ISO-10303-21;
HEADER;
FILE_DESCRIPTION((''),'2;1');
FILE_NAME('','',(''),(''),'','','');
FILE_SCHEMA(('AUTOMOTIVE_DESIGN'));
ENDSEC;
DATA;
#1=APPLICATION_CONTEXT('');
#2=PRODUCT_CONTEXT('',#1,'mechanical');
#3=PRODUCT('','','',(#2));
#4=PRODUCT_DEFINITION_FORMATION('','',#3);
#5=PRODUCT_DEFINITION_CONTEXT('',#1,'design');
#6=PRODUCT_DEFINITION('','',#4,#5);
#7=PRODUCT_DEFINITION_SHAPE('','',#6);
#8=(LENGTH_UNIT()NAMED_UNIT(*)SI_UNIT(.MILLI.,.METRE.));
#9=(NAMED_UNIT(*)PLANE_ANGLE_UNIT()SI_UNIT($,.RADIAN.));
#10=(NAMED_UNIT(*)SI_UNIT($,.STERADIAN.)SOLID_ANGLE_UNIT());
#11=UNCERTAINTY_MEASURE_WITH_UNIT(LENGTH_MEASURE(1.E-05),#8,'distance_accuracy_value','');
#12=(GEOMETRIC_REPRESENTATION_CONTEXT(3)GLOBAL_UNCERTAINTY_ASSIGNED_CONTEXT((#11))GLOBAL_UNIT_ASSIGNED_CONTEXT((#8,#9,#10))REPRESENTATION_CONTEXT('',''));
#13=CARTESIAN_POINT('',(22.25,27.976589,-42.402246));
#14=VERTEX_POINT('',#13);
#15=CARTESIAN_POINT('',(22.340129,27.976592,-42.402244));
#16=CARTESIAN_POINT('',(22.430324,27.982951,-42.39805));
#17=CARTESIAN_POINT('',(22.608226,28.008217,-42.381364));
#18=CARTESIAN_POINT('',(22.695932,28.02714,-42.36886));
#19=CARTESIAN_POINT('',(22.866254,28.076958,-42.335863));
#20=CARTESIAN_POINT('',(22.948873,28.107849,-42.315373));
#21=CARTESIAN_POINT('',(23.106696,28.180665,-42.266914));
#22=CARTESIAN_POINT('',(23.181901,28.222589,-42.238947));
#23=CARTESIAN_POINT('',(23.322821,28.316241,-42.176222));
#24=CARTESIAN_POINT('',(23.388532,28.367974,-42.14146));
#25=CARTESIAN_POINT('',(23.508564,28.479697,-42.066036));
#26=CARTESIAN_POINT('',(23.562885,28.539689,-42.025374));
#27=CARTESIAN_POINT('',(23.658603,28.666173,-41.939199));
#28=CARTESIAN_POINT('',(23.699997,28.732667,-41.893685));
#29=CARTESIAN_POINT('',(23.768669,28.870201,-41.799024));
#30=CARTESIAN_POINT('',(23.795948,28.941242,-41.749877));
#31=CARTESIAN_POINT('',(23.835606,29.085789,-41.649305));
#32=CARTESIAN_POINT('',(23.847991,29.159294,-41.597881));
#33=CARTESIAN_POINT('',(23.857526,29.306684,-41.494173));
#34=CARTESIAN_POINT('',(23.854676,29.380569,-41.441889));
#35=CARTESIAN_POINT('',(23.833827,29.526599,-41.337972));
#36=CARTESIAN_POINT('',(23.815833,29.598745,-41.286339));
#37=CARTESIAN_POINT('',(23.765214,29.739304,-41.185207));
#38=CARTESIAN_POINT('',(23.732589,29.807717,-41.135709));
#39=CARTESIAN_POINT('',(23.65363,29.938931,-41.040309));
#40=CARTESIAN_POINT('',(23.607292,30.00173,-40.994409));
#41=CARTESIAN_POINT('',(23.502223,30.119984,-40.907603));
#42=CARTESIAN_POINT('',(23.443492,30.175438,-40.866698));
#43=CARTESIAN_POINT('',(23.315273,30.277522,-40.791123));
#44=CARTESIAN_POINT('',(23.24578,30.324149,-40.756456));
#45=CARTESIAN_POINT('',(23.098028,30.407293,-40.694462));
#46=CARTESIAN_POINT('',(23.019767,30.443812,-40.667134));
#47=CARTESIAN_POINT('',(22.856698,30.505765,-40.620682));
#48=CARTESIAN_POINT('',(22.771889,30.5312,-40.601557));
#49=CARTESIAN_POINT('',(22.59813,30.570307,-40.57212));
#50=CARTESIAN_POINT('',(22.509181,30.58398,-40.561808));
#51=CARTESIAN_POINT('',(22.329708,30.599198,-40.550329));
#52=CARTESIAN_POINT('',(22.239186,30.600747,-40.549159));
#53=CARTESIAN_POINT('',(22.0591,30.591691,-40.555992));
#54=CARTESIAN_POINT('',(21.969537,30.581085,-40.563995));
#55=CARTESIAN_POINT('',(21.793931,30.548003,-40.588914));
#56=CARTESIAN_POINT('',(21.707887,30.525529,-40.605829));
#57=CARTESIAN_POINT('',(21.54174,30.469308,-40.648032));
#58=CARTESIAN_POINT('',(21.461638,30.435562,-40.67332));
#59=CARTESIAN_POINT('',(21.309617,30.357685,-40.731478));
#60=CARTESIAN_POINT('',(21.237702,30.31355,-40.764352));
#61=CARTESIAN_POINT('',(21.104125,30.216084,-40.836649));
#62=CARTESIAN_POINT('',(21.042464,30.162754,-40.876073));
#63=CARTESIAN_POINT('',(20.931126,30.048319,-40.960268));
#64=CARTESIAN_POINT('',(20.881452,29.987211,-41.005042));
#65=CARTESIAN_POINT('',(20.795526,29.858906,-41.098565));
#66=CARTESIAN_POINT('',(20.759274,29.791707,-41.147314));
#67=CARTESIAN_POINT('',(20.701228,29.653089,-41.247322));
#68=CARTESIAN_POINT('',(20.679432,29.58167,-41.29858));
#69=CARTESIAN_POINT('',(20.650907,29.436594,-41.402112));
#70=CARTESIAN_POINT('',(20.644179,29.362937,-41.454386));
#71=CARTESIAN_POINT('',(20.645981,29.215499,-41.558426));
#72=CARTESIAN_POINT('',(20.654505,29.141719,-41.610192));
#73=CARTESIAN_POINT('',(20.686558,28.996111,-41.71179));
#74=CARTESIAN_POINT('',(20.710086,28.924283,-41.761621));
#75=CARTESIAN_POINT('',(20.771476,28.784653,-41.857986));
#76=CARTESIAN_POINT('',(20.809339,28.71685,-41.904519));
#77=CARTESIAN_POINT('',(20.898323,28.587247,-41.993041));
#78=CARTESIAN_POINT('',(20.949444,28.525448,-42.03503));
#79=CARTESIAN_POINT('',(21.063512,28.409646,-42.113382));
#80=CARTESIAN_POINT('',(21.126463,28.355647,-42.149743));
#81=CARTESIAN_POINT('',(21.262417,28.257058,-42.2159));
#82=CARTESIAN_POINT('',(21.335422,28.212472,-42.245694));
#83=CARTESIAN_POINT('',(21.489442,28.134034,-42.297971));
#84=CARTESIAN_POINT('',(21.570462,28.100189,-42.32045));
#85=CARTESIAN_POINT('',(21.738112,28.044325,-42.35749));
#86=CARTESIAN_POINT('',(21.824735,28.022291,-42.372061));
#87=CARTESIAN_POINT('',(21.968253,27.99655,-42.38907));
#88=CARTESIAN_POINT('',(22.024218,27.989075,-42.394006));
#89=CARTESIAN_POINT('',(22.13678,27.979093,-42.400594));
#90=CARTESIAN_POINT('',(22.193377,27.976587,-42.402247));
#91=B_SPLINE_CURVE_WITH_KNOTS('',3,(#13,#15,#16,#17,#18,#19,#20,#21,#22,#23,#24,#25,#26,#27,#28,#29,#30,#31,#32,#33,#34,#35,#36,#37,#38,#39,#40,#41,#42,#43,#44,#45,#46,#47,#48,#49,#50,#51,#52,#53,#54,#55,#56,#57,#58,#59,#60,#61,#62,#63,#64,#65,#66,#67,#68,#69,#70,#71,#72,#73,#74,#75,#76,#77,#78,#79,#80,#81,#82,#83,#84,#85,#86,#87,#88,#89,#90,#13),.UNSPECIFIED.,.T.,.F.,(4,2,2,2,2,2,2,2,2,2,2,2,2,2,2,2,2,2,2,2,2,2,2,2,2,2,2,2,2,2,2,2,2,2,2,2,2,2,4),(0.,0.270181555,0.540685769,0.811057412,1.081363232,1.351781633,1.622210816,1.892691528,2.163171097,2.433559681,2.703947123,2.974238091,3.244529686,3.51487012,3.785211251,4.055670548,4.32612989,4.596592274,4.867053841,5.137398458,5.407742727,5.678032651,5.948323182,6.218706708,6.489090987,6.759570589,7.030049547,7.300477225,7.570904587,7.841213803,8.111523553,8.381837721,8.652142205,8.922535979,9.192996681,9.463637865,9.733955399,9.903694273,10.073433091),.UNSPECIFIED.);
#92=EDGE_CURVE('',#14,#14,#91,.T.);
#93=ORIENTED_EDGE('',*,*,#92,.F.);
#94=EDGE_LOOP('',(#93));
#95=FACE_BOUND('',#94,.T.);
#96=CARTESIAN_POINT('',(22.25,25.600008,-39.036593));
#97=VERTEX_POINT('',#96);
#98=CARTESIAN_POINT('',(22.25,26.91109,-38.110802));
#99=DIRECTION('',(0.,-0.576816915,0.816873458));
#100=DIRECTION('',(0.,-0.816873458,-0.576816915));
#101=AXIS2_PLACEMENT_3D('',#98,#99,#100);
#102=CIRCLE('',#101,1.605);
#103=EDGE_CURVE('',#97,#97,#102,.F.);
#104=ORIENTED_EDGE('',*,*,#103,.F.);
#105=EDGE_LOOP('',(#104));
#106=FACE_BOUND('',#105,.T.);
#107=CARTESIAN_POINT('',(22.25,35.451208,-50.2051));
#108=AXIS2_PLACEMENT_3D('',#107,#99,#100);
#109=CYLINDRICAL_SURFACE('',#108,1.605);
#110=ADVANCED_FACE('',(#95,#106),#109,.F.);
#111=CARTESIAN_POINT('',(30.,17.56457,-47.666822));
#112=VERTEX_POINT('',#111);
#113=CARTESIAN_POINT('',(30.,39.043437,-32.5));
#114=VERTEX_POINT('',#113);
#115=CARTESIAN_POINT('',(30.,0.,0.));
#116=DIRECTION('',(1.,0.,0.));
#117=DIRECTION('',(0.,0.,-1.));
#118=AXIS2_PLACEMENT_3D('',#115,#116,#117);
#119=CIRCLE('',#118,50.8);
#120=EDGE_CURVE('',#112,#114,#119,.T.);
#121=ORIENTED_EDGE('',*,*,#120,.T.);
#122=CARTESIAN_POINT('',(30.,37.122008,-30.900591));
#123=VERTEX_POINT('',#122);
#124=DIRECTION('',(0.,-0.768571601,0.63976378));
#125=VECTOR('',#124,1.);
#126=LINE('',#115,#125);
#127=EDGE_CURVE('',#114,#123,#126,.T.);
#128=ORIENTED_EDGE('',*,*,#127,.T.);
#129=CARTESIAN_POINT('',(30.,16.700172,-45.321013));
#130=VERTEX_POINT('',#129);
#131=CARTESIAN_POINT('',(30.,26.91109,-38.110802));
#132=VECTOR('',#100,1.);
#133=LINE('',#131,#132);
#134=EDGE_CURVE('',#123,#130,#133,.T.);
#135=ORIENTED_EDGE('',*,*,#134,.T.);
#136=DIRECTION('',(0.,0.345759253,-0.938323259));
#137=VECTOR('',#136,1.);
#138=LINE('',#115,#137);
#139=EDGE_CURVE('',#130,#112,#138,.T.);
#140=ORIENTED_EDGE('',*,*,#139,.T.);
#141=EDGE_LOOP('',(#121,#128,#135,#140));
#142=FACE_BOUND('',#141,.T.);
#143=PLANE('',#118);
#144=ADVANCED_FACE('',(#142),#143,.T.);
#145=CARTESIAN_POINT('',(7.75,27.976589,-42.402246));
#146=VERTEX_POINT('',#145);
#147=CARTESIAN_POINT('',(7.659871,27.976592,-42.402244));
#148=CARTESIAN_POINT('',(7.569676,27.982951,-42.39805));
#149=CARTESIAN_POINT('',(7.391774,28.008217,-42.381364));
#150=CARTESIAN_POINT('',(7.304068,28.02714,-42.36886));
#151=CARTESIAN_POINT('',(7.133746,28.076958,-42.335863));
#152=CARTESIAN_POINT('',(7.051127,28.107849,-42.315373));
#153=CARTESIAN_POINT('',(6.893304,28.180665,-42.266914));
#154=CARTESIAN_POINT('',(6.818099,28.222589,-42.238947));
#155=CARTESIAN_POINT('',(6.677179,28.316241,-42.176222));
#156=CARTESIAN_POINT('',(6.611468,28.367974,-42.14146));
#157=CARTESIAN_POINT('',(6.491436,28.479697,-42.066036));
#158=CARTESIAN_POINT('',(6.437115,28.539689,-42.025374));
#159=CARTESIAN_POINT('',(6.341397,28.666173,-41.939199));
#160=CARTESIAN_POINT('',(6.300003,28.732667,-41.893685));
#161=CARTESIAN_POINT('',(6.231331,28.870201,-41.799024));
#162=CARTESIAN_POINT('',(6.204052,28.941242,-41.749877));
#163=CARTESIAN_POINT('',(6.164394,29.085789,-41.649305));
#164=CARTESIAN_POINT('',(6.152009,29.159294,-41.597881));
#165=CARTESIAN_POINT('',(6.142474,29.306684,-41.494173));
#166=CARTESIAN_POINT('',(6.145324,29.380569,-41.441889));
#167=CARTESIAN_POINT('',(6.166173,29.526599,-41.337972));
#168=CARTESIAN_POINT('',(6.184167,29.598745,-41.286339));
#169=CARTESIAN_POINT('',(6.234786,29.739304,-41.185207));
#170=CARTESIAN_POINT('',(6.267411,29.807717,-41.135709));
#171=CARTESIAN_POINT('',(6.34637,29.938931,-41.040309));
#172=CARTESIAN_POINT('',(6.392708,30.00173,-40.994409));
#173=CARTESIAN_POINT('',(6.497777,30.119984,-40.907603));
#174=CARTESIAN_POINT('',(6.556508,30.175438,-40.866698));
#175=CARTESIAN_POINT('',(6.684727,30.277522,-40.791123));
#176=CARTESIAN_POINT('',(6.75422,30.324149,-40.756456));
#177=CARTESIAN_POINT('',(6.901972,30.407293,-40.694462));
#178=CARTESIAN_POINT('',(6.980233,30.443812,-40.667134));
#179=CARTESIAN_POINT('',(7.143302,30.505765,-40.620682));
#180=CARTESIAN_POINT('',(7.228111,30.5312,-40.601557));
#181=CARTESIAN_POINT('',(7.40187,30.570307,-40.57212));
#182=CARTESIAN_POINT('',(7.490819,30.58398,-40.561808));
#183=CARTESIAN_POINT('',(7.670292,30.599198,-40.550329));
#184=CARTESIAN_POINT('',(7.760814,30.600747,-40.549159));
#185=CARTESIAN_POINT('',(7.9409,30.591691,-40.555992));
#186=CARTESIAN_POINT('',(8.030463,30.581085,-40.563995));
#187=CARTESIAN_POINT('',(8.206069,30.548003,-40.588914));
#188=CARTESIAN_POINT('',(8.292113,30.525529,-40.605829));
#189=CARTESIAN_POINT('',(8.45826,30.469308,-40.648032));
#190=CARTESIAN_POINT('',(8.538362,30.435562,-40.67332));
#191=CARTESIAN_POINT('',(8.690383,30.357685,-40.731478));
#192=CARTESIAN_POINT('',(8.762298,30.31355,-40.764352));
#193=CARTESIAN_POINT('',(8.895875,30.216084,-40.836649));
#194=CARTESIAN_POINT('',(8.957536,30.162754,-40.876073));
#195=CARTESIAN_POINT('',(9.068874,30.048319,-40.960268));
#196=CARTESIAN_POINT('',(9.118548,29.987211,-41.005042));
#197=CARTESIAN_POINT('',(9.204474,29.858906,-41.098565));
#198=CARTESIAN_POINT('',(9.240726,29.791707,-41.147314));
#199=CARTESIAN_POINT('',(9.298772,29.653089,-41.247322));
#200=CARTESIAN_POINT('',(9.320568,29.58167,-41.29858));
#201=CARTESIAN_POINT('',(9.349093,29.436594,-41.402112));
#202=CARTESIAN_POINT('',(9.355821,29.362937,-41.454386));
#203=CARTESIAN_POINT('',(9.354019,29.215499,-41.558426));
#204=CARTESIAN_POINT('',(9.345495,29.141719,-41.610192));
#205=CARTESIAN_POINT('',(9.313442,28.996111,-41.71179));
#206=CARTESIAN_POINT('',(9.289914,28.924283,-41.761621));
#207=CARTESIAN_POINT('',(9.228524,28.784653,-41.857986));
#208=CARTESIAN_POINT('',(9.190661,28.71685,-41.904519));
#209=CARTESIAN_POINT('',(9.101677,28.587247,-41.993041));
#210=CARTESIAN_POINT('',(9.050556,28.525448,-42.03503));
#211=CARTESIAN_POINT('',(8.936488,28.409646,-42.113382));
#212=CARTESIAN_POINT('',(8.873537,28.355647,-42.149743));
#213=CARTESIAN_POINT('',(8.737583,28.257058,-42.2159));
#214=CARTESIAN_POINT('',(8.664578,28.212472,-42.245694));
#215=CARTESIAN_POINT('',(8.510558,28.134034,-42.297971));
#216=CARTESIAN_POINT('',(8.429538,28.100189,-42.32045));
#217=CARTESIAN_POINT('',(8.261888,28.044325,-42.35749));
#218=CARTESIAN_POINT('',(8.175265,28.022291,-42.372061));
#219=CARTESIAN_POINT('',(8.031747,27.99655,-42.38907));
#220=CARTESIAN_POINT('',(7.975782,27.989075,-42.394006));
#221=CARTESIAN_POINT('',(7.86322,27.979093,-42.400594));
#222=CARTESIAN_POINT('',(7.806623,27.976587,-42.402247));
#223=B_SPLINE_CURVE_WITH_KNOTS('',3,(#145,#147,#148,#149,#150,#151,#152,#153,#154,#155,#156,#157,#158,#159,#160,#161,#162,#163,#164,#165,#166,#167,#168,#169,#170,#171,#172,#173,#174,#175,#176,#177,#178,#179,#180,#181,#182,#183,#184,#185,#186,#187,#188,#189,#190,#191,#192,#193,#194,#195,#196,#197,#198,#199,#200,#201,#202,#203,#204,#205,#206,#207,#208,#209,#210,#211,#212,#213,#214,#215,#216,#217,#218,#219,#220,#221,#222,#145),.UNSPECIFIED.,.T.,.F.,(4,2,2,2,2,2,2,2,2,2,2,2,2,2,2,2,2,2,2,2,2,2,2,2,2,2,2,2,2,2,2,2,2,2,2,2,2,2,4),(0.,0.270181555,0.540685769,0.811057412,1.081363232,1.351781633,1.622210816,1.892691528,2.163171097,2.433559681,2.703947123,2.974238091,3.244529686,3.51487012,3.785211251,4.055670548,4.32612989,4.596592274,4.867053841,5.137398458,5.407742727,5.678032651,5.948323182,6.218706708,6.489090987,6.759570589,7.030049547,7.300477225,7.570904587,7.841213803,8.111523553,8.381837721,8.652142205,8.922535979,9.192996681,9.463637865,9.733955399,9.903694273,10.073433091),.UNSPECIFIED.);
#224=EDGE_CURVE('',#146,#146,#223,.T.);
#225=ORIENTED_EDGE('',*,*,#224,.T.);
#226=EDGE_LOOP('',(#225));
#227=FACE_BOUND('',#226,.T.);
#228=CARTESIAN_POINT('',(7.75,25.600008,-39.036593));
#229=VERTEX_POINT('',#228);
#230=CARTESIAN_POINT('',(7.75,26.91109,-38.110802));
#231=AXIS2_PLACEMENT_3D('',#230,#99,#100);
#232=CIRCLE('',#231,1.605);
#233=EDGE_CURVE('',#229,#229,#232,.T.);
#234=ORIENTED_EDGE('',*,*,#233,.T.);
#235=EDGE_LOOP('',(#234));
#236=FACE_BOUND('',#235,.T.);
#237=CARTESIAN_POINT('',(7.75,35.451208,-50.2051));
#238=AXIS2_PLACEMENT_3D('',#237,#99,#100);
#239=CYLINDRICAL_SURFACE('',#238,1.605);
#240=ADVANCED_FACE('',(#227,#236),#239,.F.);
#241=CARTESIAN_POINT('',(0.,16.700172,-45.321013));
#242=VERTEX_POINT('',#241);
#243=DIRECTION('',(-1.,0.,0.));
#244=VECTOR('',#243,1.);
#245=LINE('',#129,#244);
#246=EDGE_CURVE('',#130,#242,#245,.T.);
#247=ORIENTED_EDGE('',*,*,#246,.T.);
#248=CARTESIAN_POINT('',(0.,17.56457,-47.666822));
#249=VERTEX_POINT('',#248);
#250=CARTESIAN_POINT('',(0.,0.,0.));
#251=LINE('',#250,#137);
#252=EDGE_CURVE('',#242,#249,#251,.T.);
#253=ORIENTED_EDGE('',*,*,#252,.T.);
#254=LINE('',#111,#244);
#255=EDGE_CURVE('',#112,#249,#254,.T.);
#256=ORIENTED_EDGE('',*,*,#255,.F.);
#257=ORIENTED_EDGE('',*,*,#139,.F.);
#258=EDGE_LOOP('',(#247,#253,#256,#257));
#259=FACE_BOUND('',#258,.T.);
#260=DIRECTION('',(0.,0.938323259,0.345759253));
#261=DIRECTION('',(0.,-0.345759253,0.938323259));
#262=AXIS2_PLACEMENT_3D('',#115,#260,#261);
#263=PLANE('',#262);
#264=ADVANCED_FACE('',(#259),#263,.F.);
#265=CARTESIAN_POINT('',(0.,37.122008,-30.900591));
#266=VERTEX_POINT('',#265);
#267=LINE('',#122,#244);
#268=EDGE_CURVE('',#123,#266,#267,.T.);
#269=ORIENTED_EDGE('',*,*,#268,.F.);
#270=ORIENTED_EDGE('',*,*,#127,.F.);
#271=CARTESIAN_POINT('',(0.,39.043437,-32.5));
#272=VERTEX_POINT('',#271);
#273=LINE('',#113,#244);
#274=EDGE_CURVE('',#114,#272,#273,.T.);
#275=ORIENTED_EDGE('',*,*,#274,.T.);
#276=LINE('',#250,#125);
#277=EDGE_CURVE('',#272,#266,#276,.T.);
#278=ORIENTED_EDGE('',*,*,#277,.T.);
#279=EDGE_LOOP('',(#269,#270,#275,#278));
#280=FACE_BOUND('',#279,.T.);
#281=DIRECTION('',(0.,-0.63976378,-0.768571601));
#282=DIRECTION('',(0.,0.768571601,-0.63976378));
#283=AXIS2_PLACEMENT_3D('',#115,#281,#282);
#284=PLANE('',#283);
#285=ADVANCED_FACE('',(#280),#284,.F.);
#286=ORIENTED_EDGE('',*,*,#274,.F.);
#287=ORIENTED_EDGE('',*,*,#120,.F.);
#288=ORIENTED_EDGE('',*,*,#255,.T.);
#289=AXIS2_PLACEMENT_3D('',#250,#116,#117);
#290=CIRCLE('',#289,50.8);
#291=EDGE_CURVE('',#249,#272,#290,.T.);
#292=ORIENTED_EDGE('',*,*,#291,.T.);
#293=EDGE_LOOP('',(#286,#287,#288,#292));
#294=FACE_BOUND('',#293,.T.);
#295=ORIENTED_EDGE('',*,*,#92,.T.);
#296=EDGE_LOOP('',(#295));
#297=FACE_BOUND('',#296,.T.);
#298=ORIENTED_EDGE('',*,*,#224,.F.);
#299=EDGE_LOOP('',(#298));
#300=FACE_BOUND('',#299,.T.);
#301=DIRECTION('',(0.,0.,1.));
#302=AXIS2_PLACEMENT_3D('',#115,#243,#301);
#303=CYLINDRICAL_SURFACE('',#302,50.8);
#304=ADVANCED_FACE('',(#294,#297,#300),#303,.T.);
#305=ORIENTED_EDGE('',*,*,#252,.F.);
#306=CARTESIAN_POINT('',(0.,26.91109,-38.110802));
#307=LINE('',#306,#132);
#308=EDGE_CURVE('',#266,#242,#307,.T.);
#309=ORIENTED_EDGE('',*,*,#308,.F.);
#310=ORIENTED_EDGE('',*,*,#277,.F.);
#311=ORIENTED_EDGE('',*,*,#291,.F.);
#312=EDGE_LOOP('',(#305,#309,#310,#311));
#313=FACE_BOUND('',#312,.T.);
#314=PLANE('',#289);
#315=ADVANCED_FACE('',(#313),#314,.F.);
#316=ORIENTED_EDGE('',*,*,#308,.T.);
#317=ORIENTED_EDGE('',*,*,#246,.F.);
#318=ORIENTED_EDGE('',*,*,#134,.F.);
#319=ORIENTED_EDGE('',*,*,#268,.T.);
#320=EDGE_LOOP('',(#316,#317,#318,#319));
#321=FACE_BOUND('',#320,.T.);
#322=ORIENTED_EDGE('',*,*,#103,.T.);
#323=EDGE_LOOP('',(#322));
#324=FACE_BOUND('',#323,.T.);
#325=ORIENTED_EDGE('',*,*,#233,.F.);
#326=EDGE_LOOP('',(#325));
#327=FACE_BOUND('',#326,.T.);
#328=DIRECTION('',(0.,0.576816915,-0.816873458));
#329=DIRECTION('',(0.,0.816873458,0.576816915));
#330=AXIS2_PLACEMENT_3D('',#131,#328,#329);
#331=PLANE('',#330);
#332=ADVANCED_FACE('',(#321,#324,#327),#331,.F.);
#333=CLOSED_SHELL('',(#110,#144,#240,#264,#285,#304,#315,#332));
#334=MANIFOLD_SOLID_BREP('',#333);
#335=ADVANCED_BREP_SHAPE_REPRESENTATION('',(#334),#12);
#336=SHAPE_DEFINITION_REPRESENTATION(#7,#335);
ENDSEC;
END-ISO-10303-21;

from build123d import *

# Parameters (mm, degrees)
BOSS_EXTRUDE1_DEPTH = 30
CUT_EXTRUDE1_REACH  = 16.804
SKETCH4_R           = 1.605


with BuildPart() as part:
    # Sketch3 → Boss-Extrude1 (new body)
    with BuildSketch(Plane(origin=(0, 0, 0), x_dir=(0, 0, -1), z_dir=(1, 0, 0))):
        with BuildLine():
            ThreePointArc((47.666821582, 17.564570029), (41.497171662, 29.302299296), (32.5, 39.043437349))
            Line((32.5, 39.043437349), (30.900590551, 37.122008345))
            ThreePointArc((30.900590551, 37.122008345), (39.454988017, 27.860257008), (45.321013433, 16.700171897))
            Line((45.321013433, 16.700171897), (47.666821582, 17.564570029))
        make_face()
        with BuildLine():
            ThreePointArc((30.900590551, 37.122008345), (39.454988017, 27.860257008), (45.321013433, 16.700171897))
            Line((45.321013433, 16.700171897), (30.900590551, 37.122008345))
        make_face()
    extrude(amount=BOSS_EXTRUDE1_DEPTH)

    # Sketch4 → Cut-Extrude1 (cut, up to next)
    with BuildSketch(Plane(origin=(0, 26.911090121, -38.110801992), x_dir=(1, 0, 0), z_dir=(0, -0.576816915, 0.816873458)), mode=Mode.PRIVATE) as cut_extrude1_sk1:
        with Locations((7.75, 0)):
            Circle(SKETCH4_R)
    cut_extrude1_tool1 = extrude(cut_extrude1_sk1.sketch, amount=-CUT_EXTRUDE1_REACH, mode=Mode.PRIVATE) & part.part
    add(cut_extrude1_tool1.solids().sort_by_distance((7.75, 26.91109, -38.110802))[0], mode=Mode.SUBTRACT)
    # Sketch4 → Cut-Extrude1 (cut, up to next)
    with BuildSketch(Plane(origin=(0, 26.911090121, -38.110801992), x_dir=(1, 0, 0), z_dir=(0, -0.576816915, 0.816873458)), mode=Mode.PRIVATE) as cut_extrude1_sk2:
        with Locations((22.25, 0)):
            Circle(SKETCH4_R)
    cut_extrude1_tool2 = extrude(cut_extrude1_sk2.sketch, amount=-CUT_EXTRUDE1_REACH, mode=Mode.PRIVATE) & part.part
    add(cut_extrude1_tool2.solids().sort_by_distance((22.25, 26.91109, -38.110802))[0], mode=Mode.SUBTRACT)


solid = part.part
